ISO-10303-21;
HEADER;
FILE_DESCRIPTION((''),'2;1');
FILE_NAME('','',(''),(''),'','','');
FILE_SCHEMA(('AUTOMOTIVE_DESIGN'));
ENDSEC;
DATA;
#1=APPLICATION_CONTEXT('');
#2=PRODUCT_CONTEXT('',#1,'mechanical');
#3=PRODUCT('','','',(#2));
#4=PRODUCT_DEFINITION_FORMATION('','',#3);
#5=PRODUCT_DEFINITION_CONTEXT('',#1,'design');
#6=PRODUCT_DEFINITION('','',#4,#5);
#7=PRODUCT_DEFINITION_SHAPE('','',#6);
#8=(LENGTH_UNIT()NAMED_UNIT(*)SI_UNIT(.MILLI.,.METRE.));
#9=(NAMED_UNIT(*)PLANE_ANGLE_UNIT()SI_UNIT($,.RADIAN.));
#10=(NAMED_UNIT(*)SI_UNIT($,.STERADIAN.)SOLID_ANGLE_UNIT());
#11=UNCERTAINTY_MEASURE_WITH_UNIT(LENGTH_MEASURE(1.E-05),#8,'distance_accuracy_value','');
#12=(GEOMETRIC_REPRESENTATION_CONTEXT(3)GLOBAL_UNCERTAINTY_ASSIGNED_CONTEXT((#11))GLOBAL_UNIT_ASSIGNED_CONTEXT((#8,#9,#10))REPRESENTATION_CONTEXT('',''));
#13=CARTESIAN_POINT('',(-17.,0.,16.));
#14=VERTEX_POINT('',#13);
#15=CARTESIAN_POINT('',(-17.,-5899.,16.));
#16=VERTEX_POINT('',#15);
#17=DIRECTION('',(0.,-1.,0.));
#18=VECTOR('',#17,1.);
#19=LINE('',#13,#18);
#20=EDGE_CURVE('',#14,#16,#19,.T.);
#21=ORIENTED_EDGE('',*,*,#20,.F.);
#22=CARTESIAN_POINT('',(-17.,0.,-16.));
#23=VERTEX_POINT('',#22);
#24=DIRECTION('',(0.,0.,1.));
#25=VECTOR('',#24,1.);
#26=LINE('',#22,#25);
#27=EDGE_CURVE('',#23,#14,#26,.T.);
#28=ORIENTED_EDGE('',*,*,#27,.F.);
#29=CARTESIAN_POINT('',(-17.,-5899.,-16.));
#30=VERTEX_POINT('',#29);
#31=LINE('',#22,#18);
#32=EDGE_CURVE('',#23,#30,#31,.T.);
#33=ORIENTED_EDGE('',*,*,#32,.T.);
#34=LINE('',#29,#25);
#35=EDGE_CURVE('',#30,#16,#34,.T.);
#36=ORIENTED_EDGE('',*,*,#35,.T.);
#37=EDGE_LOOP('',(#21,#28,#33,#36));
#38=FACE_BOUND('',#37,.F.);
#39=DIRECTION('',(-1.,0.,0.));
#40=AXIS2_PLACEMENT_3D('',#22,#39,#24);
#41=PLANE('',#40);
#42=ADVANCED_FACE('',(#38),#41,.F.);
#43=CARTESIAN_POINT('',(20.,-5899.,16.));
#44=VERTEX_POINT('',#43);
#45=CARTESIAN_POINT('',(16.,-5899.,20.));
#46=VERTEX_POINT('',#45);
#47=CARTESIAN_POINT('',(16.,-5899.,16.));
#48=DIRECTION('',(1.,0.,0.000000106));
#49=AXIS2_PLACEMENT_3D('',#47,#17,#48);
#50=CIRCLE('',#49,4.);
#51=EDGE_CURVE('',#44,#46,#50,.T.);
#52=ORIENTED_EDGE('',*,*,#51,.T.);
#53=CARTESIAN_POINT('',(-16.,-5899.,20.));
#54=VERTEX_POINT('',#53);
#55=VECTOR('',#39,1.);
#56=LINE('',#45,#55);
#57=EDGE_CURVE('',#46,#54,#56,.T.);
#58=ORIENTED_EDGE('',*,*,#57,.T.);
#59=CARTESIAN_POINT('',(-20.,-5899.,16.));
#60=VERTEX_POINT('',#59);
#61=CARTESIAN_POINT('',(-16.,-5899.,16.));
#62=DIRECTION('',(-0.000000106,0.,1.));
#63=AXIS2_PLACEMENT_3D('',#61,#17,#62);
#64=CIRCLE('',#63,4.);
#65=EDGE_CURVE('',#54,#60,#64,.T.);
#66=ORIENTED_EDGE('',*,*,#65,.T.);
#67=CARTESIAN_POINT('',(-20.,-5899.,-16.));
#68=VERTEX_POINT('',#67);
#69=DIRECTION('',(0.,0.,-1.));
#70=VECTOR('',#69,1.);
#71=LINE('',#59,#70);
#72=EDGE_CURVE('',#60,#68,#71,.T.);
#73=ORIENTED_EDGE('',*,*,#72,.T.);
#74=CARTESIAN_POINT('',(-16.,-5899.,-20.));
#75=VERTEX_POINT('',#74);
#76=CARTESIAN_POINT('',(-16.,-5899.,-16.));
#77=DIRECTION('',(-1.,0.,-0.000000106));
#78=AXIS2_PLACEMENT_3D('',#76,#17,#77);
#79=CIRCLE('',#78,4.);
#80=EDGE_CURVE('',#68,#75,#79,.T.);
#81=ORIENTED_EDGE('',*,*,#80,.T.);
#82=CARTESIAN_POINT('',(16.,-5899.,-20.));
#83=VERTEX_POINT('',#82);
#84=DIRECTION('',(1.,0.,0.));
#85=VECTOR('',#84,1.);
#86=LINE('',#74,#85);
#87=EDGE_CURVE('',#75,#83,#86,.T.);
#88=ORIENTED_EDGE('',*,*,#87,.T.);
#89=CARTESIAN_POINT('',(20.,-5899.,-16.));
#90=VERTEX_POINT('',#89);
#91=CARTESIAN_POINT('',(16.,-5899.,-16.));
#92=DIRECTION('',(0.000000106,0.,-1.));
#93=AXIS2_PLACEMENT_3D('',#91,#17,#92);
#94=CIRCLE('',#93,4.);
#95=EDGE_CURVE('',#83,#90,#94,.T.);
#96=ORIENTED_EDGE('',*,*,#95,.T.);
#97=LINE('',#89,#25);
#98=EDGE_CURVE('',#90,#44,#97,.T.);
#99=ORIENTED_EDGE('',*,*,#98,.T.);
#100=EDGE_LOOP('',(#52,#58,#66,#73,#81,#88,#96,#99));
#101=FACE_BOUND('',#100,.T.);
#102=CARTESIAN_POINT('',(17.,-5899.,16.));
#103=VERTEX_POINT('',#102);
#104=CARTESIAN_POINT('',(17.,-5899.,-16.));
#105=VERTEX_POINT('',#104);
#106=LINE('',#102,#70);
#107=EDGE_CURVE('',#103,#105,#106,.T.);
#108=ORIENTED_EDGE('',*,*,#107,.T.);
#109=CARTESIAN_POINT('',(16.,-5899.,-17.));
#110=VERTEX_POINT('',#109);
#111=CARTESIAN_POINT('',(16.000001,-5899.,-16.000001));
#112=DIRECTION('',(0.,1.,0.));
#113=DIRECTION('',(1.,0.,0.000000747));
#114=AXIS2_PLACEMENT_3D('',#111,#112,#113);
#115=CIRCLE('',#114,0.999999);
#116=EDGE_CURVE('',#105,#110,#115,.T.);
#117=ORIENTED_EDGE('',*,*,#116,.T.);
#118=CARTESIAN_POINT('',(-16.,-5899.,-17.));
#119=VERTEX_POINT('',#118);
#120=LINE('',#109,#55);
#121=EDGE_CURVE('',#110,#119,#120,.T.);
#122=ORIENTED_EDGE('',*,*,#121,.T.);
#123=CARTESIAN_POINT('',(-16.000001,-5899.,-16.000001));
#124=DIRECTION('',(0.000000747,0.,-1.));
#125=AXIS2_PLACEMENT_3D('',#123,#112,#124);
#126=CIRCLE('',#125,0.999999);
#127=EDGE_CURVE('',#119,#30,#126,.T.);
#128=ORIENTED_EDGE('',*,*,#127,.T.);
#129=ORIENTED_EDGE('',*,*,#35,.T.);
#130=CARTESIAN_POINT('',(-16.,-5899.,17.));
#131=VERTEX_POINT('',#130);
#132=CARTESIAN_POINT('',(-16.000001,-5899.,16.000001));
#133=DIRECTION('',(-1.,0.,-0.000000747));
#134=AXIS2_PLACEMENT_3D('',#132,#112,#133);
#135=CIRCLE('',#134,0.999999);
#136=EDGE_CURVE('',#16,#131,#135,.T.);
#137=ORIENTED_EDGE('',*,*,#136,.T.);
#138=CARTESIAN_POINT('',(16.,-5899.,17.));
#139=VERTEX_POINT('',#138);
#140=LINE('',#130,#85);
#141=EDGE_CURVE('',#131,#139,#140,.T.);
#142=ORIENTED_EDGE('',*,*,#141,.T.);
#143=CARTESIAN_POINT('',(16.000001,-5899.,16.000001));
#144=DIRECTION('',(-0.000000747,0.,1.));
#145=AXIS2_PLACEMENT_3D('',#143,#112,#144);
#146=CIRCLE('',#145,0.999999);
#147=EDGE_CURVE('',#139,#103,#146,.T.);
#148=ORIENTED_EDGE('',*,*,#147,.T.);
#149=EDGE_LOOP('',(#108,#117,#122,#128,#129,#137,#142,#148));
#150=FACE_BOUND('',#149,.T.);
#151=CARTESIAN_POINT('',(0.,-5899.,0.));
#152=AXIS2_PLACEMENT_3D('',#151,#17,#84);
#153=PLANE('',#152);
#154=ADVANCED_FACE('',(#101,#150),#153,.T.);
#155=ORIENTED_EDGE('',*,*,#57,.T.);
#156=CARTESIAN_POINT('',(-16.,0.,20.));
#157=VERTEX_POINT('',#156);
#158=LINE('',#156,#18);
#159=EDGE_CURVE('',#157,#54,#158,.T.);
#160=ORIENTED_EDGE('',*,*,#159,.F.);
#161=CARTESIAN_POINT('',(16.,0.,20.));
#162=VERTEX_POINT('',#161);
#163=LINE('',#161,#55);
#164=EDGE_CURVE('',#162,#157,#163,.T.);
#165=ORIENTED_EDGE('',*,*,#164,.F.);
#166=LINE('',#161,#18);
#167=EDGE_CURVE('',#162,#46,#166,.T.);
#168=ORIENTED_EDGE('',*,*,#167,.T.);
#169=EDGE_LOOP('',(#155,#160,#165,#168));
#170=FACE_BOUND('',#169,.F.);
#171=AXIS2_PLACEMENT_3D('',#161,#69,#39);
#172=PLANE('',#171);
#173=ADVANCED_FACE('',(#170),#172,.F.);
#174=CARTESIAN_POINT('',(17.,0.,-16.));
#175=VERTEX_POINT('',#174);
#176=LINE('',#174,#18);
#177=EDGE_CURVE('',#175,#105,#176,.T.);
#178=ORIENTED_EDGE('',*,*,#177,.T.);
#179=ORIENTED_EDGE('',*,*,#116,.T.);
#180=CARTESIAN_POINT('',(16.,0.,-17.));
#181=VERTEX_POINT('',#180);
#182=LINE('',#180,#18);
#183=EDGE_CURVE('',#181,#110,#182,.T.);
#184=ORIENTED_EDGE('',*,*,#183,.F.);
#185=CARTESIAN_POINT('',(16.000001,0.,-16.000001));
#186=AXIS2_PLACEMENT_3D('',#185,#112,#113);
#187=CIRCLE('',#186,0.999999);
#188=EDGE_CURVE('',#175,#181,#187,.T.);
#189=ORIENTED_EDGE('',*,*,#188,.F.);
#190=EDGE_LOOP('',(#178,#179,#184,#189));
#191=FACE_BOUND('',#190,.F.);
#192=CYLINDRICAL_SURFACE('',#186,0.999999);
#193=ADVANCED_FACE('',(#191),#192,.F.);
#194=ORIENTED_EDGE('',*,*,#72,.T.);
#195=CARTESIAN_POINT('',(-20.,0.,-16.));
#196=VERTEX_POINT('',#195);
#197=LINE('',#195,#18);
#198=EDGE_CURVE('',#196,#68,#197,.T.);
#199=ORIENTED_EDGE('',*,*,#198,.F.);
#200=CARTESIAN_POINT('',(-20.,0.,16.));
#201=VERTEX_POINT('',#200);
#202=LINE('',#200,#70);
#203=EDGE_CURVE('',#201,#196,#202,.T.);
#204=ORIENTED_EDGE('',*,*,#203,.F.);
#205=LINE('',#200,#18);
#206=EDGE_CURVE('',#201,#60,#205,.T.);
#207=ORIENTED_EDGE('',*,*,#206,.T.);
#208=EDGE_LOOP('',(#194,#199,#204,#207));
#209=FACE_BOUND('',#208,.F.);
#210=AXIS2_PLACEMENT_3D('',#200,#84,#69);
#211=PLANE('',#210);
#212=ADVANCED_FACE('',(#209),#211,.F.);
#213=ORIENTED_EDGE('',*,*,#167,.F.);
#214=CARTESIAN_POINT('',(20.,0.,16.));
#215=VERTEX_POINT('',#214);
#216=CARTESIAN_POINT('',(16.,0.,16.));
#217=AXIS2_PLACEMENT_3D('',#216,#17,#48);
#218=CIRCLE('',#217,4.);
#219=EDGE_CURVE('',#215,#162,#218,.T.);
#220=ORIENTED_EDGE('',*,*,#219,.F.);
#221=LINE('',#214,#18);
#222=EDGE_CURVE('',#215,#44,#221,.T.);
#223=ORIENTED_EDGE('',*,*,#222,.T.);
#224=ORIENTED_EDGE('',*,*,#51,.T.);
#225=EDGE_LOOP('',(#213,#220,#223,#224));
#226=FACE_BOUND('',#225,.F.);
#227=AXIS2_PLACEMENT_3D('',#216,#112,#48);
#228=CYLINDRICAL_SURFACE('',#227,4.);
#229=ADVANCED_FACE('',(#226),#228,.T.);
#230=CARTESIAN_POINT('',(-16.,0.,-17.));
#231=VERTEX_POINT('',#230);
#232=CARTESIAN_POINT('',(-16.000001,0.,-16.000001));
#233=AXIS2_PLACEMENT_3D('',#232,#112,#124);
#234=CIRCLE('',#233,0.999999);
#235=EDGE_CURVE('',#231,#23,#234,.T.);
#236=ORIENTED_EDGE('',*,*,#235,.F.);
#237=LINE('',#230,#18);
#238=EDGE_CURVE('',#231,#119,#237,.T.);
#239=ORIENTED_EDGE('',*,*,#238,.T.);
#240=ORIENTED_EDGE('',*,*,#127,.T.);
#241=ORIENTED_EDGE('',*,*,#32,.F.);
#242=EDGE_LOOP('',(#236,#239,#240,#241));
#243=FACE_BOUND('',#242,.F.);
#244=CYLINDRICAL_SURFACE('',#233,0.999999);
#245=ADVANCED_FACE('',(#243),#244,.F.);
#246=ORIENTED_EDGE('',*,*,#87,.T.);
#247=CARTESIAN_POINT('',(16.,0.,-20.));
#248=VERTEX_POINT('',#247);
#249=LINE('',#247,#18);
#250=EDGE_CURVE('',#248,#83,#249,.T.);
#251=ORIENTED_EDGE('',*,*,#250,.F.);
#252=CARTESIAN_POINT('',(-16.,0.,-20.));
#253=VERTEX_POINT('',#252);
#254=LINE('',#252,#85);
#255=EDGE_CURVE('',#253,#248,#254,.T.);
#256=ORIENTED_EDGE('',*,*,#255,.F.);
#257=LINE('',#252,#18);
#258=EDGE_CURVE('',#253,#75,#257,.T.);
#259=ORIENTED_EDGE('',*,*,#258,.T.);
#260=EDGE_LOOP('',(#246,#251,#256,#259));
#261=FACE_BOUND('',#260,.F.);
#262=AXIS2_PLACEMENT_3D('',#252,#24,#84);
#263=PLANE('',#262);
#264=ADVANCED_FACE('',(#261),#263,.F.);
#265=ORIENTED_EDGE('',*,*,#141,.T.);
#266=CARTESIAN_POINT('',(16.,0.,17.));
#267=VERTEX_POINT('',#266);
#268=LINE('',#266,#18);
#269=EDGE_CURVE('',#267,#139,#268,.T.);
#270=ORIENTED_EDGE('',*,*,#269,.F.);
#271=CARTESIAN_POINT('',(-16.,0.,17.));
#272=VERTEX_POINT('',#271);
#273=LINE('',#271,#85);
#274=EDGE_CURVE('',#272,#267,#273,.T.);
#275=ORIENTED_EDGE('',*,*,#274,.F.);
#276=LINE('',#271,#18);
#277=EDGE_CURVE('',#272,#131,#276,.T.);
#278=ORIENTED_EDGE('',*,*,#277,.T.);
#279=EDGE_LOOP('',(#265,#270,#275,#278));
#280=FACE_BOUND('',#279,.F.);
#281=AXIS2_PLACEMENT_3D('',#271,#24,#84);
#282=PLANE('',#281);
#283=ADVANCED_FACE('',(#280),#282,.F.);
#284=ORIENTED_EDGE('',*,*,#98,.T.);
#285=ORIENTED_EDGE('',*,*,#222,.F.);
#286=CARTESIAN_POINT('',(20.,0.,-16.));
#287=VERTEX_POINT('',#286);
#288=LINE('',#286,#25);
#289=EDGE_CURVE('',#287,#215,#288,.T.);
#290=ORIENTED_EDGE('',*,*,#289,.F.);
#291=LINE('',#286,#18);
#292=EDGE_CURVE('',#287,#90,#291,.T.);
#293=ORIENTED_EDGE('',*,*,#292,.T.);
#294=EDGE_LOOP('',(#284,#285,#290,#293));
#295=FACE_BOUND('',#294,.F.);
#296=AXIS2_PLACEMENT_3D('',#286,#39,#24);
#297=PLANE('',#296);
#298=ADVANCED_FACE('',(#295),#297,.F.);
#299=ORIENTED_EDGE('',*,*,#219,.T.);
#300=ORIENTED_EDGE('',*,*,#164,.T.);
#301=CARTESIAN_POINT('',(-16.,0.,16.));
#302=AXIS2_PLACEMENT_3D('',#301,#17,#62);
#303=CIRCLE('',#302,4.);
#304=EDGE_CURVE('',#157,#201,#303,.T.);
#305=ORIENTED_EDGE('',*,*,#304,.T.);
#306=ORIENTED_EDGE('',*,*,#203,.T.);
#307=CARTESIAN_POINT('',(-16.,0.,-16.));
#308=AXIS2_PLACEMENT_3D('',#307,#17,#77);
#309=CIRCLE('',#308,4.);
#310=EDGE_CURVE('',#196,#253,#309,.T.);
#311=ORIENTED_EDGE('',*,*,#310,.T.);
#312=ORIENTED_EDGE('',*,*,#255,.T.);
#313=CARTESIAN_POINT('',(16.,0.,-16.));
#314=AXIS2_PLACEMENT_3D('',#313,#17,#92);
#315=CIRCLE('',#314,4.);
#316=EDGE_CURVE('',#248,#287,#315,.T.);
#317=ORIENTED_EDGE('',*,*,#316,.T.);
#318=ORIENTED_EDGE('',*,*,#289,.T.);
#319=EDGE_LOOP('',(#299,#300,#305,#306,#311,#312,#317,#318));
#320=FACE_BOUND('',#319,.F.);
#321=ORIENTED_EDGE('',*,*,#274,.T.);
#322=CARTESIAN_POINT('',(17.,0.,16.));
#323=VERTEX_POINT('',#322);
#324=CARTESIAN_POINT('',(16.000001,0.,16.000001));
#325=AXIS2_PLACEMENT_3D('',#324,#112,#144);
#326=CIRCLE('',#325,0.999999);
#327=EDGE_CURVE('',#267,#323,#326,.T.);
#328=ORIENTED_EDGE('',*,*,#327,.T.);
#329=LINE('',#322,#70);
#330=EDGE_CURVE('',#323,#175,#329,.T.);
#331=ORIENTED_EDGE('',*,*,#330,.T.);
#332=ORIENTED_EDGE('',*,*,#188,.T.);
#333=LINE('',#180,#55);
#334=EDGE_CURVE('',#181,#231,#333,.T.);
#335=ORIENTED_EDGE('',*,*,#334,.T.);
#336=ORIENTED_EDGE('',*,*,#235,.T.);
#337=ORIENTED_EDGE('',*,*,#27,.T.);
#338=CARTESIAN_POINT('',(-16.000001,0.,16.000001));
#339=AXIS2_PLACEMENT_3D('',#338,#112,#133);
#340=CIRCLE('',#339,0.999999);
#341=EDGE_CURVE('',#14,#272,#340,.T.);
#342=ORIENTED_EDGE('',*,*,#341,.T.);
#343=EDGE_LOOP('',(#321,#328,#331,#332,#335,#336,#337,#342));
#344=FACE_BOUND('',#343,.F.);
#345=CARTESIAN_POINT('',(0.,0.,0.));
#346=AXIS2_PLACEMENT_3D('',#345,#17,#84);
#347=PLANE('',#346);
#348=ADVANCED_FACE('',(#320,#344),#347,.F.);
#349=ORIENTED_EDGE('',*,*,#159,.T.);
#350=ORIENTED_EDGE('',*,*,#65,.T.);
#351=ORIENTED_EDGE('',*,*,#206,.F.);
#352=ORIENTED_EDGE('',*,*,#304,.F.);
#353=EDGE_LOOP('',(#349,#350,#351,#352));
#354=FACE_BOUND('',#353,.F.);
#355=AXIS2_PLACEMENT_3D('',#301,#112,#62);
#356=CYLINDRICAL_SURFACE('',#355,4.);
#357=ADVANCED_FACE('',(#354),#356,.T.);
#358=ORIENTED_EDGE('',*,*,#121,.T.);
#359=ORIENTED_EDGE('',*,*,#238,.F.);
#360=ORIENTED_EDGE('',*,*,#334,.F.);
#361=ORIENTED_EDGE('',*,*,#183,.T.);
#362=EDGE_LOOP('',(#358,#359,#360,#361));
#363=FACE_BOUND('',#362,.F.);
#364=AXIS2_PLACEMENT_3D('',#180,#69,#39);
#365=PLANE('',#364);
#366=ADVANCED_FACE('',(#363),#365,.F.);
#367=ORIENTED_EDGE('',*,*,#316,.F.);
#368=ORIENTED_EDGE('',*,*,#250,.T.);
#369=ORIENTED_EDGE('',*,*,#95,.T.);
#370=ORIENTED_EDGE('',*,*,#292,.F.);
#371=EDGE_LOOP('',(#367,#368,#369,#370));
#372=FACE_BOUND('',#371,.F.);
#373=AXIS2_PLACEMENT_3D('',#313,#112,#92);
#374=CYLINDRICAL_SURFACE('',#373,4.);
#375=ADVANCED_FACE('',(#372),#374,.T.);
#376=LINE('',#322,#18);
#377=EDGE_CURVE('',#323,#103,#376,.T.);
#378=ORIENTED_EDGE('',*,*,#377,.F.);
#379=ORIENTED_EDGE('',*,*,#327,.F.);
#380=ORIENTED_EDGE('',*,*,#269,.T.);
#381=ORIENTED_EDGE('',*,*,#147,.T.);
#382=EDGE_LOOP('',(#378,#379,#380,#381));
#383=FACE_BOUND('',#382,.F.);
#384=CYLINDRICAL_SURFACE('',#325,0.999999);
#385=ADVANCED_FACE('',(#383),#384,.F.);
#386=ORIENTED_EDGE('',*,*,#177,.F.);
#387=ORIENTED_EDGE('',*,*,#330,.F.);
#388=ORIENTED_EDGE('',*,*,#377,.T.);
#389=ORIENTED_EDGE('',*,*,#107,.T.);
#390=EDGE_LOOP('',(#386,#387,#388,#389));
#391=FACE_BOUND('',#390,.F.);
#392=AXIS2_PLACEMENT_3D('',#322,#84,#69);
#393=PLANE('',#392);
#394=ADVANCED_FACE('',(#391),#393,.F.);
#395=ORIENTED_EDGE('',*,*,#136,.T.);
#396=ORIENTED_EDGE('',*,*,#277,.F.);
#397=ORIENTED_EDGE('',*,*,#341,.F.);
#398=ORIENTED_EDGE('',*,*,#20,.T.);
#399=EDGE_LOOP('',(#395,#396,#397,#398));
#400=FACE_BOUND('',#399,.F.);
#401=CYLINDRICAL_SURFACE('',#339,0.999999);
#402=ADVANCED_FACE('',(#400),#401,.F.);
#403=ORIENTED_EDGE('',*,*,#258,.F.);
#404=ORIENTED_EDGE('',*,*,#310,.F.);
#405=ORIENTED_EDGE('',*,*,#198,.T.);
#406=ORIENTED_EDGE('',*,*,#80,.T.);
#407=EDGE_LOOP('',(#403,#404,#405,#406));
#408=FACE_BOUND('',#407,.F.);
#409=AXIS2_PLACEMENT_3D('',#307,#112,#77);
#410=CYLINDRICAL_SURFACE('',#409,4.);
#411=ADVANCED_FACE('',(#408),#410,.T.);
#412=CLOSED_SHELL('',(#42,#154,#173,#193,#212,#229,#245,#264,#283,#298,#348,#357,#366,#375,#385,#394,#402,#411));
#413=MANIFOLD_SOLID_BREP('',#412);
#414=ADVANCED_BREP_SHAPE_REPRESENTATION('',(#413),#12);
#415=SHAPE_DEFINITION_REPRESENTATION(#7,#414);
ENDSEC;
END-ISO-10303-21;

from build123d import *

# Parameters (mm, degrees)
F1_DEPTH = 5899


with BuildPart() as f1:
    # F0 (on Front) → F1 (new body)
    with BuildSketch(Plane.XZ):
        with BuildLine():
            ThreePointArc((20, 16), (18.828427, 18.828427), (16, 20))
            Line((16, 20), (-16, 20))
            ThreePointArc((-16, 20), (-18.828427, 18.828427), (-20, 16))
            Line((-20, 16), (-20, -16))
            ThreePointArc((-20, -16), (-18.828427, -18.828427), (-16, -20))
            Line((-16, -20), (16, -20))
            ThreePointArc((16, -20), (18.828427, -18.828427), (20, -16))
            Line((20, -16), (20, 16))
        make_face()
        with BuildLine():
            Line((-16, 17), (16, 17))
            ThreePointArc((16, 17), (16.707107, 16.707107), (17, 16))
            Line((17, 16), (17, -16))
            ThreePointArc((17, -16), (16.707107, -16.707107), (16, -17))
            Line((16, -17), (-16, -17))
            ThreePointArc((-16, -17), (-16.707107, -16.707107), (-17, -16))
            Line((-17, -16), (-17, 16))
            ThreePointArc((-17, 16), (-16.707107, 16.707107), (-16, 17))
        make_face(mode=Mode.SUBTRACT)
    extrude(amount=F1_DEPTH)


solid = f1.part
